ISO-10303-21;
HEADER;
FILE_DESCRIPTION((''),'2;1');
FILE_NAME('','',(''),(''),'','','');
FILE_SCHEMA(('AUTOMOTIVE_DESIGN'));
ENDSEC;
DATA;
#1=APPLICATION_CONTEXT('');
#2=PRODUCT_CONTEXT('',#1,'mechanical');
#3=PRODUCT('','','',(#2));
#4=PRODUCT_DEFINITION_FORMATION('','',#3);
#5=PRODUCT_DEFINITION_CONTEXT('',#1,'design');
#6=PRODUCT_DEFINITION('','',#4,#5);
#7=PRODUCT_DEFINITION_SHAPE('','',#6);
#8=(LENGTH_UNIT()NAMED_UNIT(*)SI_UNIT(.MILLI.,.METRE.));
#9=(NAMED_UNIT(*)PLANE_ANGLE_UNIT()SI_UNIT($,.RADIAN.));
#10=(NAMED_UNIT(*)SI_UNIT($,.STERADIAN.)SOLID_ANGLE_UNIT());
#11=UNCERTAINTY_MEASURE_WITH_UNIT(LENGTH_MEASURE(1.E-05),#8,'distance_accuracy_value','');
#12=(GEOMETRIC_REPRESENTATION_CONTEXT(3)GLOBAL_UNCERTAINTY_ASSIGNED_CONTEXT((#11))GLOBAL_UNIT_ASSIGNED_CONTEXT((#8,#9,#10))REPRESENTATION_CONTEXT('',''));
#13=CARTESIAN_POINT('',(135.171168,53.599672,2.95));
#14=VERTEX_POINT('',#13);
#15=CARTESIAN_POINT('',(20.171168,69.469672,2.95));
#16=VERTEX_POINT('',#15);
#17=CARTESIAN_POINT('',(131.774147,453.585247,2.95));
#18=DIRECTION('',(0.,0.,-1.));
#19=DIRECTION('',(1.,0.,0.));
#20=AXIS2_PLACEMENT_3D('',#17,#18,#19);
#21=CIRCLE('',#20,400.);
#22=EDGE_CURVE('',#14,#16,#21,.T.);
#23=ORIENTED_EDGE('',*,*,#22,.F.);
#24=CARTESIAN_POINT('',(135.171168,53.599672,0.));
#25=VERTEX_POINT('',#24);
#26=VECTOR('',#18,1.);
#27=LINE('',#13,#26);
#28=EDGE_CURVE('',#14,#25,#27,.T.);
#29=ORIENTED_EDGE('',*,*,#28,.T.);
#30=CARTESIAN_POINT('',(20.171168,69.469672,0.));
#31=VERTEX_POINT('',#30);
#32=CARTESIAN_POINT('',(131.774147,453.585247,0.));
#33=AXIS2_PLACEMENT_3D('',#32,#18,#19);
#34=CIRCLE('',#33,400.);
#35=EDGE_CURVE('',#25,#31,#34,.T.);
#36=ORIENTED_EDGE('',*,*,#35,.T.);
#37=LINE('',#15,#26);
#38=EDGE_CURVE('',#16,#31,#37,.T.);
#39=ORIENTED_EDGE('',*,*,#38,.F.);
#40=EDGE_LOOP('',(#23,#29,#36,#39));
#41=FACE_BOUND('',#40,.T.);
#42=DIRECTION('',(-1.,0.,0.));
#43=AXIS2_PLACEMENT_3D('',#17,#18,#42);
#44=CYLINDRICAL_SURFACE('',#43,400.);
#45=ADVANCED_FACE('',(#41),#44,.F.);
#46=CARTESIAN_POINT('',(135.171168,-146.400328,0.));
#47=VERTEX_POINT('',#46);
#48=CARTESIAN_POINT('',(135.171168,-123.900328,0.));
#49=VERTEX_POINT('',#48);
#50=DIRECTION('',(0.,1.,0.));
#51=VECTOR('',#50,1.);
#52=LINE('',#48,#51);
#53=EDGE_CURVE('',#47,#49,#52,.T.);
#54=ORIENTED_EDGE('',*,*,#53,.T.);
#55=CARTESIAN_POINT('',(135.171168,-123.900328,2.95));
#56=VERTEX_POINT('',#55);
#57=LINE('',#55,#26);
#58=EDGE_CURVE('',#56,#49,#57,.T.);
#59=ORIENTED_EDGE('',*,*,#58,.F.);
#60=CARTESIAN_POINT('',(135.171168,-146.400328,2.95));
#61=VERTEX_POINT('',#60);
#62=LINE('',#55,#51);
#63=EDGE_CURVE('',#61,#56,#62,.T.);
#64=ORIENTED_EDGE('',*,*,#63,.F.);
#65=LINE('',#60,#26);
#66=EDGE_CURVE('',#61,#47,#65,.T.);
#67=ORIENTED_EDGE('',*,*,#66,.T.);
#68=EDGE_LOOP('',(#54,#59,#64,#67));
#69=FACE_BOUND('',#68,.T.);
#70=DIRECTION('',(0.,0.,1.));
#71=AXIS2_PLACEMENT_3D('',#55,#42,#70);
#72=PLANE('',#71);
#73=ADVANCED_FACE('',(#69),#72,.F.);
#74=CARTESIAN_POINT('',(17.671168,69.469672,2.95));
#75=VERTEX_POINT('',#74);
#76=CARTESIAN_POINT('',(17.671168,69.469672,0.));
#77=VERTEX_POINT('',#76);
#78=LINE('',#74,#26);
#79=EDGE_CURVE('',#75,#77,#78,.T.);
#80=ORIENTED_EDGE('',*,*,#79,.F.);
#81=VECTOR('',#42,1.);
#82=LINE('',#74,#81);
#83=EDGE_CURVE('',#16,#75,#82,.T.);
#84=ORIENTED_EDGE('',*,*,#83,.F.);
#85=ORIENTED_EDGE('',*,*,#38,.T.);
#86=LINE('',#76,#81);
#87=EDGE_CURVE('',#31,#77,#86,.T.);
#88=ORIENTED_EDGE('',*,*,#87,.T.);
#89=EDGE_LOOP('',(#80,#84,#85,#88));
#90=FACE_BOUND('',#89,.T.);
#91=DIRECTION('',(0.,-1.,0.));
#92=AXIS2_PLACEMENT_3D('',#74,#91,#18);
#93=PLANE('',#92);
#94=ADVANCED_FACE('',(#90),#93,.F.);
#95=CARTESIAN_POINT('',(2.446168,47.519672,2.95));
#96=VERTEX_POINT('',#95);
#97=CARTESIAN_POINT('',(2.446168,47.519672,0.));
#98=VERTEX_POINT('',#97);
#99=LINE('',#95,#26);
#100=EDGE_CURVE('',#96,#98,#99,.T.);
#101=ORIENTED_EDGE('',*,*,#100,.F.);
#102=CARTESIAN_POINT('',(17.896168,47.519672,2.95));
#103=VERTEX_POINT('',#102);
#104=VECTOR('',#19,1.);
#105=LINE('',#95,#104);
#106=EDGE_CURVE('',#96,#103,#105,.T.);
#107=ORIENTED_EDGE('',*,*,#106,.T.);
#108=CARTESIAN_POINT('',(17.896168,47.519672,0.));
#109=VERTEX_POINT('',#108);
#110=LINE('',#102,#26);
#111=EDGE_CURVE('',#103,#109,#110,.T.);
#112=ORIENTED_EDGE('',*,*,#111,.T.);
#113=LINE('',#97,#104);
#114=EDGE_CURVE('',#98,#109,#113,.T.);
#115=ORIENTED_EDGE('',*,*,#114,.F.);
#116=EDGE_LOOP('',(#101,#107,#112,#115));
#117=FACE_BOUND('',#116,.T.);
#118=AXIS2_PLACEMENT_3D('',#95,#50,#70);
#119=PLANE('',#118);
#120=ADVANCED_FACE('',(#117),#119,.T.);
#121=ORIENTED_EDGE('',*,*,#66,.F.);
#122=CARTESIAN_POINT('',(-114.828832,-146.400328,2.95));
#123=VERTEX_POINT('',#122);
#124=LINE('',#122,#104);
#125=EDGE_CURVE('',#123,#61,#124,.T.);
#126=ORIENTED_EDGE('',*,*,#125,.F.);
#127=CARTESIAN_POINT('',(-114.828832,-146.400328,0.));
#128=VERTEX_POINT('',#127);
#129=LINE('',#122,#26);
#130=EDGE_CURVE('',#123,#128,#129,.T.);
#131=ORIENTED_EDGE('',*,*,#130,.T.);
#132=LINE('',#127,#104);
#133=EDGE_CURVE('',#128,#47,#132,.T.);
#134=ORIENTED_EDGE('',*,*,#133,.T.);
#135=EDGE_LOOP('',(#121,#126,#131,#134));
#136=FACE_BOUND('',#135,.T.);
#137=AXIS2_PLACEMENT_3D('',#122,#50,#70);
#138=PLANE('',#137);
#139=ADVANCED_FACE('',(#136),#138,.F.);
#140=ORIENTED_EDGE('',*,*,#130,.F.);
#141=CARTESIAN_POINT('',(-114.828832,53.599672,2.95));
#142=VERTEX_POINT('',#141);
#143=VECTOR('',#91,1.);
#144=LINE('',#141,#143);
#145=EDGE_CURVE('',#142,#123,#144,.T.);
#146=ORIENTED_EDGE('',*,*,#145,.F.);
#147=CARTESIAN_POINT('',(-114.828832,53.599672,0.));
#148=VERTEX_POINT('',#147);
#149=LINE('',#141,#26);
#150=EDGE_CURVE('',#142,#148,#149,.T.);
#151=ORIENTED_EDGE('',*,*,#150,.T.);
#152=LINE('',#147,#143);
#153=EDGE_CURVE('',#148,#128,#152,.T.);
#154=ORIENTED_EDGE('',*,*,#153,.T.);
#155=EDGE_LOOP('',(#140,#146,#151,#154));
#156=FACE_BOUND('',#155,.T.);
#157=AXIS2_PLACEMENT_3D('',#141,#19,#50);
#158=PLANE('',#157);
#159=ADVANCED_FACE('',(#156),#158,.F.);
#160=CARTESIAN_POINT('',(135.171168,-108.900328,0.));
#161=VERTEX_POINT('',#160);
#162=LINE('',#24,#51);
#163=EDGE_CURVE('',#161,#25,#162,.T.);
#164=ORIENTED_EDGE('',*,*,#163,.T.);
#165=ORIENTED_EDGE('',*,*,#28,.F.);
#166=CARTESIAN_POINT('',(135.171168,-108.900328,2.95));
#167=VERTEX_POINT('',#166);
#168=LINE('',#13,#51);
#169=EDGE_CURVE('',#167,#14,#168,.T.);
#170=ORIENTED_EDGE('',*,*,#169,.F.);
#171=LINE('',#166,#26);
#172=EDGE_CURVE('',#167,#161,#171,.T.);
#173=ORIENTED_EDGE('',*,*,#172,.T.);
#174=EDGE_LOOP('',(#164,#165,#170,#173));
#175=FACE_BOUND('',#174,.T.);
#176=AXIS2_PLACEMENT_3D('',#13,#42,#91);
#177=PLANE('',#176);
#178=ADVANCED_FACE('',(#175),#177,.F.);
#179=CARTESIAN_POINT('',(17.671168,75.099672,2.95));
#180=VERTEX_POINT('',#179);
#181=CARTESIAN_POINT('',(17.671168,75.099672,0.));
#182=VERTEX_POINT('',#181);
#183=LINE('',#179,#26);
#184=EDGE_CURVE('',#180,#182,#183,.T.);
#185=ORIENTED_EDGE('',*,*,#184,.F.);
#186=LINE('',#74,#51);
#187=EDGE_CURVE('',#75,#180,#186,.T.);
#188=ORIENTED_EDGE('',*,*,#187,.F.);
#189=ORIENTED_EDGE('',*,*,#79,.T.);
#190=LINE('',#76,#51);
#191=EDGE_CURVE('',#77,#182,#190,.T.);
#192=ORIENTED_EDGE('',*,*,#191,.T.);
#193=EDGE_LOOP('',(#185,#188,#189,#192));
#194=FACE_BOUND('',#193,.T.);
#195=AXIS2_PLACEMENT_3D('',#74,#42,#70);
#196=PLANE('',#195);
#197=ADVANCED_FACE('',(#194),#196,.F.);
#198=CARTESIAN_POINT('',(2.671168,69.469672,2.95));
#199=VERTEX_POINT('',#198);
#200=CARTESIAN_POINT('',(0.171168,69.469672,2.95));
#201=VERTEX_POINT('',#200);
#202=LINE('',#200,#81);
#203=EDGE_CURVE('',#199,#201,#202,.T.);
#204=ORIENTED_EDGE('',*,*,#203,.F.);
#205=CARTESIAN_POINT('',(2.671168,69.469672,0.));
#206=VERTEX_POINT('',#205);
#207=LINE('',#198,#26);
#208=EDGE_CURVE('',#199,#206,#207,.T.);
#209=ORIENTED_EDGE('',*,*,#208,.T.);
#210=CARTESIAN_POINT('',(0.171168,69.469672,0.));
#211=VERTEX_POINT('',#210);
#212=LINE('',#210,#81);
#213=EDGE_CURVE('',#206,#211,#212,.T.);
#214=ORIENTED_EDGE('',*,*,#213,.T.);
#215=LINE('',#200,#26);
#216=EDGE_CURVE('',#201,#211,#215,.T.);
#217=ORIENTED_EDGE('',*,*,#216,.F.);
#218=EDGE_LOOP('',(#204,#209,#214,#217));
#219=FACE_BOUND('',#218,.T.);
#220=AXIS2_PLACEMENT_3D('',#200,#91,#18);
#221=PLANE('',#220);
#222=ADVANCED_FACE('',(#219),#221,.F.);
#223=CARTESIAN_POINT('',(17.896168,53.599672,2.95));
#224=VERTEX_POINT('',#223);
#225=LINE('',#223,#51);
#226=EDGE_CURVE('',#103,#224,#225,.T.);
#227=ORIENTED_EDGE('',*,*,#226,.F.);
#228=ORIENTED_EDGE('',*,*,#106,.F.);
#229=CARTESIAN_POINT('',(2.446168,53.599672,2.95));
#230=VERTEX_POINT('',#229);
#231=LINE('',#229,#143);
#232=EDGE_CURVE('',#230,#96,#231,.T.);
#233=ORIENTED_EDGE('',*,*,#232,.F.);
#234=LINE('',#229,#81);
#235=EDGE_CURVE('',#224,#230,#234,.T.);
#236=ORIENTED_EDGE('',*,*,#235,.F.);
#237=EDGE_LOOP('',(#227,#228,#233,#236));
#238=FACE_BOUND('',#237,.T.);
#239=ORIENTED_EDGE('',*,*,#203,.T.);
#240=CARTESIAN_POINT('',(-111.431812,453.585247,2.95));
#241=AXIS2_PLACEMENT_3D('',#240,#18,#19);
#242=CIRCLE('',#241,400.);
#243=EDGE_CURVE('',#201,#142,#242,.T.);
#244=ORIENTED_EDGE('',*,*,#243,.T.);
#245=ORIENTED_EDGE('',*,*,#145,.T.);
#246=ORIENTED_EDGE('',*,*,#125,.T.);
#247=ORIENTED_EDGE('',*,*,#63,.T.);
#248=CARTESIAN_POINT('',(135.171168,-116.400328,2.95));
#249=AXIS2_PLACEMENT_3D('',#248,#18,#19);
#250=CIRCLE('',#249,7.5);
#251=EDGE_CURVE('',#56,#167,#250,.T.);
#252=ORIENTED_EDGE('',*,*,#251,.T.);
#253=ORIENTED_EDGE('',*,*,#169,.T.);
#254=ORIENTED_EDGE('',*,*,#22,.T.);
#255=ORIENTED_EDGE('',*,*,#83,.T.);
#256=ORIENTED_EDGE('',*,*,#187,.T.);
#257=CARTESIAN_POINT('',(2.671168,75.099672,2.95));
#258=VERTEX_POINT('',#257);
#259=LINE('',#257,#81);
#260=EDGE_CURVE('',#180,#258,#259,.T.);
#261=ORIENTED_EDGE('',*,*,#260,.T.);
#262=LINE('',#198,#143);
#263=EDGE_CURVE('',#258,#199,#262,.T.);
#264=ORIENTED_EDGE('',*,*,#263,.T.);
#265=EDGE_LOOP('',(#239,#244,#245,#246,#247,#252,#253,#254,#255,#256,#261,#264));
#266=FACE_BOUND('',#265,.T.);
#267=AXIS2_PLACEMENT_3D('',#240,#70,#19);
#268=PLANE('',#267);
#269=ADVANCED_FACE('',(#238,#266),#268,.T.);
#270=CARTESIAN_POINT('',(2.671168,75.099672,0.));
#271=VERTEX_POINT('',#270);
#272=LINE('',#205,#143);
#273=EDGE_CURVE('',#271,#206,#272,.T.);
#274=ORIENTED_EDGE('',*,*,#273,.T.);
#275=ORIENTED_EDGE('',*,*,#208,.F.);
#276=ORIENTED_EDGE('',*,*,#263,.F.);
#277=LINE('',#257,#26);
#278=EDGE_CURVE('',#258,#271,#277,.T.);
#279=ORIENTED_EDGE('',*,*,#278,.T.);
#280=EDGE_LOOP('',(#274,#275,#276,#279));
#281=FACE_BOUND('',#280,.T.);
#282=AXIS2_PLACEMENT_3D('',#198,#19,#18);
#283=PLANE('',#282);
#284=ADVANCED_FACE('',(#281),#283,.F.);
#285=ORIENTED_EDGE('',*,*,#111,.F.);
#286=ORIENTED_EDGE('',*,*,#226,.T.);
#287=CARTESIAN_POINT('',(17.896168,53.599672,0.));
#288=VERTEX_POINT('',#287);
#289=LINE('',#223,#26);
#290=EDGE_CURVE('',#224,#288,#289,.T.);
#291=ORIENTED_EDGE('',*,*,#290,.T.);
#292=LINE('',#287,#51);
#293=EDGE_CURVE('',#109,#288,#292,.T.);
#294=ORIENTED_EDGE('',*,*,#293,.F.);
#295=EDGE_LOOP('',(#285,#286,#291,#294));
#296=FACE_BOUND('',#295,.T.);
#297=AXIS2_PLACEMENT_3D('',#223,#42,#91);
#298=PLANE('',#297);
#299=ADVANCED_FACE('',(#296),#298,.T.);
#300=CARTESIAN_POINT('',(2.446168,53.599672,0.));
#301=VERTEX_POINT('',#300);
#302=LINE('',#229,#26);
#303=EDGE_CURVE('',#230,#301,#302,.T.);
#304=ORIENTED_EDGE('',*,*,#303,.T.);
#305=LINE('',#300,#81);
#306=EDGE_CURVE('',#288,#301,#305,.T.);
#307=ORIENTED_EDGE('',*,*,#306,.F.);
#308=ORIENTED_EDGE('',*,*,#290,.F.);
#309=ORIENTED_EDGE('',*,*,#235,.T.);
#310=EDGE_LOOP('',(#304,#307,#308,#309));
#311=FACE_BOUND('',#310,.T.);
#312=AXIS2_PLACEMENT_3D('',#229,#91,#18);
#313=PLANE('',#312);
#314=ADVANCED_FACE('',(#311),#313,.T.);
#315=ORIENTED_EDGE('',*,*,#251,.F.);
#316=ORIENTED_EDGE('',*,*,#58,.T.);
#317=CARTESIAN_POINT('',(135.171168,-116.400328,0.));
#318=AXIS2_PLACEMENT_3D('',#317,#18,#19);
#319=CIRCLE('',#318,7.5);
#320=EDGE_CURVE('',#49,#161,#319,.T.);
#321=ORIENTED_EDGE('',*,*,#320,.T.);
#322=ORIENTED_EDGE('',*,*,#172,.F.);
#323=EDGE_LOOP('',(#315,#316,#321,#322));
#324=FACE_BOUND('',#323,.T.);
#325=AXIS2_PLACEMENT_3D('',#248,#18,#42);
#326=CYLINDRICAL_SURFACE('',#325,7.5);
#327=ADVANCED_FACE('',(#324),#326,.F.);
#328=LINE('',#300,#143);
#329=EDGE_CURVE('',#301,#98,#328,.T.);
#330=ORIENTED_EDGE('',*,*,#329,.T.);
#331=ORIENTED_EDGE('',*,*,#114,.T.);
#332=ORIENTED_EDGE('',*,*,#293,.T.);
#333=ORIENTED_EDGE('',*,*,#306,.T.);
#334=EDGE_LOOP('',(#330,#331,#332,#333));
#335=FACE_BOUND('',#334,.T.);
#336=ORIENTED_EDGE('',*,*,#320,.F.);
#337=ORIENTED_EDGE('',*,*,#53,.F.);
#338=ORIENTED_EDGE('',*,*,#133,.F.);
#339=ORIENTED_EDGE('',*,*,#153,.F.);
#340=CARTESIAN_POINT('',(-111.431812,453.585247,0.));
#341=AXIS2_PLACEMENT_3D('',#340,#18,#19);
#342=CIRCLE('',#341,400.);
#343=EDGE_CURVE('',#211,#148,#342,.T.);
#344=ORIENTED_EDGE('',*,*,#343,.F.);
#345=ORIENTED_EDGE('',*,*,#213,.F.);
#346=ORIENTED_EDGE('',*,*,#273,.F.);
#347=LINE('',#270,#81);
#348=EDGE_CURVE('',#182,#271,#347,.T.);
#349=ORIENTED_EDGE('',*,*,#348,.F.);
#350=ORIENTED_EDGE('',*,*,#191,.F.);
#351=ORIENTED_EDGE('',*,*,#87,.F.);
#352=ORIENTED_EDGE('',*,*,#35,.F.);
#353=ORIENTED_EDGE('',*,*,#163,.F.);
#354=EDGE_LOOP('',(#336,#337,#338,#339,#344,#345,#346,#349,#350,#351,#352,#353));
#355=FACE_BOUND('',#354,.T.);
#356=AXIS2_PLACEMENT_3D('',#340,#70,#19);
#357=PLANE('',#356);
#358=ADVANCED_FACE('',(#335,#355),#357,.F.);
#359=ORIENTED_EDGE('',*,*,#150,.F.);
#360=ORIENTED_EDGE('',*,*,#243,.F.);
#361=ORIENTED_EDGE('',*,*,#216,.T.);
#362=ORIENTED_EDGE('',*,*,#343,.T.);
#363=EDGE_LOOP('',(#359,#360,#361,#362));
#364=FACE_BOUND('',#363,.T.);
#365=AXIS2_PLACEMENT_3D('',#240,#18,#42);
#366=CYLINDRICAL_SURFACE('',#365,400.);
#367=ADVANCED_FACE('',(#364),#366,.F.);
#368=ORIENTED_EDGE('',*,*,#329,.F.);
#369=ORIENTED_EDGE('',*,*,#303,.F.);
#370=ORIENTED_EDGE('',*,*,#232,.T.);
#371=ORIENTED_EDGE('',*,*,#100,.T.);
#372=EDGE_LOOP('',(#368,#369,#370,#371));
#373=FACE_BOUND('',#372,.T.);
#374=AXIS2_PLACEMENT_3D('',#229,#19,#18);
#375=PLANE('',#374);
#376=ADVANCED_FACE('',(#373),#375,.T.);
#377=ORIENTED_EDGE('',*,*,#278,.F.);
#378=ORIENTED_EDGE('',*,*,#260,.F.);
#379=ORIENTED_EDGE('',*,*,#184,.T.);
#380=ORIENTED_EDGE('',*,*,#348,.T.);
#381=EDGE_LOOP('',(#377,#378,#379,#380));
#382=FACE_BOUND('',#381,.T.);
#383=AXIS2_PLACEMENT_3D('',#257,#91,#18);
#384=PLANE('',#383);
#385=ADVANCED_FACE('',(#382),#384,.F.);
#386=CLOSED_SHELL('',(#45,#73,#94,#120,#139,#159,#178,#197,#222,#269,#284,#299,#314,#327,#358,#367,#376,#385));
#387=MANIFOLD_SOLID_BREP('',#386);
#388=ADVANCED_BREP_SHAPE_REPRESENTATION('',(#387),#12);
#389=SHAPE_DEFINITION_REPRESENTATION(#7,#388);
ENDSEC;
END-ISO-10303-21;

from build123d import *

# Parameters (mm, degrees)
SKETCH1_W           = 15.45
SKETCH1_H           = 6.08
BOSS_EXTRUDE1_DEPTH = 2.95


with BuildPart() as part:
    # Sketch1 → Boss-Extrude1 (new body)
    with BuildSketch(Plane.XY):
        with BuildLine():
            Line((0.171167624, 69.469671818), (2.671167624, 69.469671818))
            Line((2.671167624, 69.469671818), (2.671167624, 75.099671818))
            Line((2.671167624, 75.099671818), (17.671167624, 75.099671818))
            Line((17.671167624, 75.099671818), (17.671167624, 69.469671818))
            Line((17.671167624, 69.469671818), (20.171167624, 69.469671818))
            ThreePointArc((20.171167624, 69.469671818), (77.092371221, 57.340494982), (135.171167624, 53.599671818))
            Line((135.171167624, 53.599671818), (135.171167624, -108.900328182))
            ThreePointArc((135.171167624, -108.900328182), (127.671167624, -116.400328182), (135.171167624, -123.900328182))
            Line((135.171167624, -123.900328182), (135.171167624, -146.400328182))
            Line((135.171167624, -146.400328182), (-114.828832376, -146.400328182))
            Line((-114.828832376, -146.400328182), (-114.828832376, 53.599671818))
            ThreePointArc((-114.828832376, 53.599671818), (-56.750035973, 57.340494982), (0.171167624, 69.469671818))
        make_face()
        with Locations((10.171167624, 50.559671818)):
            Rectangle(SKETCH1_W, SKETCH1_H, mode=Mode.SUBTRACT)
    extrude(amount=BOSS_EXTRUDE1_DEPTH)


solid = part.part
